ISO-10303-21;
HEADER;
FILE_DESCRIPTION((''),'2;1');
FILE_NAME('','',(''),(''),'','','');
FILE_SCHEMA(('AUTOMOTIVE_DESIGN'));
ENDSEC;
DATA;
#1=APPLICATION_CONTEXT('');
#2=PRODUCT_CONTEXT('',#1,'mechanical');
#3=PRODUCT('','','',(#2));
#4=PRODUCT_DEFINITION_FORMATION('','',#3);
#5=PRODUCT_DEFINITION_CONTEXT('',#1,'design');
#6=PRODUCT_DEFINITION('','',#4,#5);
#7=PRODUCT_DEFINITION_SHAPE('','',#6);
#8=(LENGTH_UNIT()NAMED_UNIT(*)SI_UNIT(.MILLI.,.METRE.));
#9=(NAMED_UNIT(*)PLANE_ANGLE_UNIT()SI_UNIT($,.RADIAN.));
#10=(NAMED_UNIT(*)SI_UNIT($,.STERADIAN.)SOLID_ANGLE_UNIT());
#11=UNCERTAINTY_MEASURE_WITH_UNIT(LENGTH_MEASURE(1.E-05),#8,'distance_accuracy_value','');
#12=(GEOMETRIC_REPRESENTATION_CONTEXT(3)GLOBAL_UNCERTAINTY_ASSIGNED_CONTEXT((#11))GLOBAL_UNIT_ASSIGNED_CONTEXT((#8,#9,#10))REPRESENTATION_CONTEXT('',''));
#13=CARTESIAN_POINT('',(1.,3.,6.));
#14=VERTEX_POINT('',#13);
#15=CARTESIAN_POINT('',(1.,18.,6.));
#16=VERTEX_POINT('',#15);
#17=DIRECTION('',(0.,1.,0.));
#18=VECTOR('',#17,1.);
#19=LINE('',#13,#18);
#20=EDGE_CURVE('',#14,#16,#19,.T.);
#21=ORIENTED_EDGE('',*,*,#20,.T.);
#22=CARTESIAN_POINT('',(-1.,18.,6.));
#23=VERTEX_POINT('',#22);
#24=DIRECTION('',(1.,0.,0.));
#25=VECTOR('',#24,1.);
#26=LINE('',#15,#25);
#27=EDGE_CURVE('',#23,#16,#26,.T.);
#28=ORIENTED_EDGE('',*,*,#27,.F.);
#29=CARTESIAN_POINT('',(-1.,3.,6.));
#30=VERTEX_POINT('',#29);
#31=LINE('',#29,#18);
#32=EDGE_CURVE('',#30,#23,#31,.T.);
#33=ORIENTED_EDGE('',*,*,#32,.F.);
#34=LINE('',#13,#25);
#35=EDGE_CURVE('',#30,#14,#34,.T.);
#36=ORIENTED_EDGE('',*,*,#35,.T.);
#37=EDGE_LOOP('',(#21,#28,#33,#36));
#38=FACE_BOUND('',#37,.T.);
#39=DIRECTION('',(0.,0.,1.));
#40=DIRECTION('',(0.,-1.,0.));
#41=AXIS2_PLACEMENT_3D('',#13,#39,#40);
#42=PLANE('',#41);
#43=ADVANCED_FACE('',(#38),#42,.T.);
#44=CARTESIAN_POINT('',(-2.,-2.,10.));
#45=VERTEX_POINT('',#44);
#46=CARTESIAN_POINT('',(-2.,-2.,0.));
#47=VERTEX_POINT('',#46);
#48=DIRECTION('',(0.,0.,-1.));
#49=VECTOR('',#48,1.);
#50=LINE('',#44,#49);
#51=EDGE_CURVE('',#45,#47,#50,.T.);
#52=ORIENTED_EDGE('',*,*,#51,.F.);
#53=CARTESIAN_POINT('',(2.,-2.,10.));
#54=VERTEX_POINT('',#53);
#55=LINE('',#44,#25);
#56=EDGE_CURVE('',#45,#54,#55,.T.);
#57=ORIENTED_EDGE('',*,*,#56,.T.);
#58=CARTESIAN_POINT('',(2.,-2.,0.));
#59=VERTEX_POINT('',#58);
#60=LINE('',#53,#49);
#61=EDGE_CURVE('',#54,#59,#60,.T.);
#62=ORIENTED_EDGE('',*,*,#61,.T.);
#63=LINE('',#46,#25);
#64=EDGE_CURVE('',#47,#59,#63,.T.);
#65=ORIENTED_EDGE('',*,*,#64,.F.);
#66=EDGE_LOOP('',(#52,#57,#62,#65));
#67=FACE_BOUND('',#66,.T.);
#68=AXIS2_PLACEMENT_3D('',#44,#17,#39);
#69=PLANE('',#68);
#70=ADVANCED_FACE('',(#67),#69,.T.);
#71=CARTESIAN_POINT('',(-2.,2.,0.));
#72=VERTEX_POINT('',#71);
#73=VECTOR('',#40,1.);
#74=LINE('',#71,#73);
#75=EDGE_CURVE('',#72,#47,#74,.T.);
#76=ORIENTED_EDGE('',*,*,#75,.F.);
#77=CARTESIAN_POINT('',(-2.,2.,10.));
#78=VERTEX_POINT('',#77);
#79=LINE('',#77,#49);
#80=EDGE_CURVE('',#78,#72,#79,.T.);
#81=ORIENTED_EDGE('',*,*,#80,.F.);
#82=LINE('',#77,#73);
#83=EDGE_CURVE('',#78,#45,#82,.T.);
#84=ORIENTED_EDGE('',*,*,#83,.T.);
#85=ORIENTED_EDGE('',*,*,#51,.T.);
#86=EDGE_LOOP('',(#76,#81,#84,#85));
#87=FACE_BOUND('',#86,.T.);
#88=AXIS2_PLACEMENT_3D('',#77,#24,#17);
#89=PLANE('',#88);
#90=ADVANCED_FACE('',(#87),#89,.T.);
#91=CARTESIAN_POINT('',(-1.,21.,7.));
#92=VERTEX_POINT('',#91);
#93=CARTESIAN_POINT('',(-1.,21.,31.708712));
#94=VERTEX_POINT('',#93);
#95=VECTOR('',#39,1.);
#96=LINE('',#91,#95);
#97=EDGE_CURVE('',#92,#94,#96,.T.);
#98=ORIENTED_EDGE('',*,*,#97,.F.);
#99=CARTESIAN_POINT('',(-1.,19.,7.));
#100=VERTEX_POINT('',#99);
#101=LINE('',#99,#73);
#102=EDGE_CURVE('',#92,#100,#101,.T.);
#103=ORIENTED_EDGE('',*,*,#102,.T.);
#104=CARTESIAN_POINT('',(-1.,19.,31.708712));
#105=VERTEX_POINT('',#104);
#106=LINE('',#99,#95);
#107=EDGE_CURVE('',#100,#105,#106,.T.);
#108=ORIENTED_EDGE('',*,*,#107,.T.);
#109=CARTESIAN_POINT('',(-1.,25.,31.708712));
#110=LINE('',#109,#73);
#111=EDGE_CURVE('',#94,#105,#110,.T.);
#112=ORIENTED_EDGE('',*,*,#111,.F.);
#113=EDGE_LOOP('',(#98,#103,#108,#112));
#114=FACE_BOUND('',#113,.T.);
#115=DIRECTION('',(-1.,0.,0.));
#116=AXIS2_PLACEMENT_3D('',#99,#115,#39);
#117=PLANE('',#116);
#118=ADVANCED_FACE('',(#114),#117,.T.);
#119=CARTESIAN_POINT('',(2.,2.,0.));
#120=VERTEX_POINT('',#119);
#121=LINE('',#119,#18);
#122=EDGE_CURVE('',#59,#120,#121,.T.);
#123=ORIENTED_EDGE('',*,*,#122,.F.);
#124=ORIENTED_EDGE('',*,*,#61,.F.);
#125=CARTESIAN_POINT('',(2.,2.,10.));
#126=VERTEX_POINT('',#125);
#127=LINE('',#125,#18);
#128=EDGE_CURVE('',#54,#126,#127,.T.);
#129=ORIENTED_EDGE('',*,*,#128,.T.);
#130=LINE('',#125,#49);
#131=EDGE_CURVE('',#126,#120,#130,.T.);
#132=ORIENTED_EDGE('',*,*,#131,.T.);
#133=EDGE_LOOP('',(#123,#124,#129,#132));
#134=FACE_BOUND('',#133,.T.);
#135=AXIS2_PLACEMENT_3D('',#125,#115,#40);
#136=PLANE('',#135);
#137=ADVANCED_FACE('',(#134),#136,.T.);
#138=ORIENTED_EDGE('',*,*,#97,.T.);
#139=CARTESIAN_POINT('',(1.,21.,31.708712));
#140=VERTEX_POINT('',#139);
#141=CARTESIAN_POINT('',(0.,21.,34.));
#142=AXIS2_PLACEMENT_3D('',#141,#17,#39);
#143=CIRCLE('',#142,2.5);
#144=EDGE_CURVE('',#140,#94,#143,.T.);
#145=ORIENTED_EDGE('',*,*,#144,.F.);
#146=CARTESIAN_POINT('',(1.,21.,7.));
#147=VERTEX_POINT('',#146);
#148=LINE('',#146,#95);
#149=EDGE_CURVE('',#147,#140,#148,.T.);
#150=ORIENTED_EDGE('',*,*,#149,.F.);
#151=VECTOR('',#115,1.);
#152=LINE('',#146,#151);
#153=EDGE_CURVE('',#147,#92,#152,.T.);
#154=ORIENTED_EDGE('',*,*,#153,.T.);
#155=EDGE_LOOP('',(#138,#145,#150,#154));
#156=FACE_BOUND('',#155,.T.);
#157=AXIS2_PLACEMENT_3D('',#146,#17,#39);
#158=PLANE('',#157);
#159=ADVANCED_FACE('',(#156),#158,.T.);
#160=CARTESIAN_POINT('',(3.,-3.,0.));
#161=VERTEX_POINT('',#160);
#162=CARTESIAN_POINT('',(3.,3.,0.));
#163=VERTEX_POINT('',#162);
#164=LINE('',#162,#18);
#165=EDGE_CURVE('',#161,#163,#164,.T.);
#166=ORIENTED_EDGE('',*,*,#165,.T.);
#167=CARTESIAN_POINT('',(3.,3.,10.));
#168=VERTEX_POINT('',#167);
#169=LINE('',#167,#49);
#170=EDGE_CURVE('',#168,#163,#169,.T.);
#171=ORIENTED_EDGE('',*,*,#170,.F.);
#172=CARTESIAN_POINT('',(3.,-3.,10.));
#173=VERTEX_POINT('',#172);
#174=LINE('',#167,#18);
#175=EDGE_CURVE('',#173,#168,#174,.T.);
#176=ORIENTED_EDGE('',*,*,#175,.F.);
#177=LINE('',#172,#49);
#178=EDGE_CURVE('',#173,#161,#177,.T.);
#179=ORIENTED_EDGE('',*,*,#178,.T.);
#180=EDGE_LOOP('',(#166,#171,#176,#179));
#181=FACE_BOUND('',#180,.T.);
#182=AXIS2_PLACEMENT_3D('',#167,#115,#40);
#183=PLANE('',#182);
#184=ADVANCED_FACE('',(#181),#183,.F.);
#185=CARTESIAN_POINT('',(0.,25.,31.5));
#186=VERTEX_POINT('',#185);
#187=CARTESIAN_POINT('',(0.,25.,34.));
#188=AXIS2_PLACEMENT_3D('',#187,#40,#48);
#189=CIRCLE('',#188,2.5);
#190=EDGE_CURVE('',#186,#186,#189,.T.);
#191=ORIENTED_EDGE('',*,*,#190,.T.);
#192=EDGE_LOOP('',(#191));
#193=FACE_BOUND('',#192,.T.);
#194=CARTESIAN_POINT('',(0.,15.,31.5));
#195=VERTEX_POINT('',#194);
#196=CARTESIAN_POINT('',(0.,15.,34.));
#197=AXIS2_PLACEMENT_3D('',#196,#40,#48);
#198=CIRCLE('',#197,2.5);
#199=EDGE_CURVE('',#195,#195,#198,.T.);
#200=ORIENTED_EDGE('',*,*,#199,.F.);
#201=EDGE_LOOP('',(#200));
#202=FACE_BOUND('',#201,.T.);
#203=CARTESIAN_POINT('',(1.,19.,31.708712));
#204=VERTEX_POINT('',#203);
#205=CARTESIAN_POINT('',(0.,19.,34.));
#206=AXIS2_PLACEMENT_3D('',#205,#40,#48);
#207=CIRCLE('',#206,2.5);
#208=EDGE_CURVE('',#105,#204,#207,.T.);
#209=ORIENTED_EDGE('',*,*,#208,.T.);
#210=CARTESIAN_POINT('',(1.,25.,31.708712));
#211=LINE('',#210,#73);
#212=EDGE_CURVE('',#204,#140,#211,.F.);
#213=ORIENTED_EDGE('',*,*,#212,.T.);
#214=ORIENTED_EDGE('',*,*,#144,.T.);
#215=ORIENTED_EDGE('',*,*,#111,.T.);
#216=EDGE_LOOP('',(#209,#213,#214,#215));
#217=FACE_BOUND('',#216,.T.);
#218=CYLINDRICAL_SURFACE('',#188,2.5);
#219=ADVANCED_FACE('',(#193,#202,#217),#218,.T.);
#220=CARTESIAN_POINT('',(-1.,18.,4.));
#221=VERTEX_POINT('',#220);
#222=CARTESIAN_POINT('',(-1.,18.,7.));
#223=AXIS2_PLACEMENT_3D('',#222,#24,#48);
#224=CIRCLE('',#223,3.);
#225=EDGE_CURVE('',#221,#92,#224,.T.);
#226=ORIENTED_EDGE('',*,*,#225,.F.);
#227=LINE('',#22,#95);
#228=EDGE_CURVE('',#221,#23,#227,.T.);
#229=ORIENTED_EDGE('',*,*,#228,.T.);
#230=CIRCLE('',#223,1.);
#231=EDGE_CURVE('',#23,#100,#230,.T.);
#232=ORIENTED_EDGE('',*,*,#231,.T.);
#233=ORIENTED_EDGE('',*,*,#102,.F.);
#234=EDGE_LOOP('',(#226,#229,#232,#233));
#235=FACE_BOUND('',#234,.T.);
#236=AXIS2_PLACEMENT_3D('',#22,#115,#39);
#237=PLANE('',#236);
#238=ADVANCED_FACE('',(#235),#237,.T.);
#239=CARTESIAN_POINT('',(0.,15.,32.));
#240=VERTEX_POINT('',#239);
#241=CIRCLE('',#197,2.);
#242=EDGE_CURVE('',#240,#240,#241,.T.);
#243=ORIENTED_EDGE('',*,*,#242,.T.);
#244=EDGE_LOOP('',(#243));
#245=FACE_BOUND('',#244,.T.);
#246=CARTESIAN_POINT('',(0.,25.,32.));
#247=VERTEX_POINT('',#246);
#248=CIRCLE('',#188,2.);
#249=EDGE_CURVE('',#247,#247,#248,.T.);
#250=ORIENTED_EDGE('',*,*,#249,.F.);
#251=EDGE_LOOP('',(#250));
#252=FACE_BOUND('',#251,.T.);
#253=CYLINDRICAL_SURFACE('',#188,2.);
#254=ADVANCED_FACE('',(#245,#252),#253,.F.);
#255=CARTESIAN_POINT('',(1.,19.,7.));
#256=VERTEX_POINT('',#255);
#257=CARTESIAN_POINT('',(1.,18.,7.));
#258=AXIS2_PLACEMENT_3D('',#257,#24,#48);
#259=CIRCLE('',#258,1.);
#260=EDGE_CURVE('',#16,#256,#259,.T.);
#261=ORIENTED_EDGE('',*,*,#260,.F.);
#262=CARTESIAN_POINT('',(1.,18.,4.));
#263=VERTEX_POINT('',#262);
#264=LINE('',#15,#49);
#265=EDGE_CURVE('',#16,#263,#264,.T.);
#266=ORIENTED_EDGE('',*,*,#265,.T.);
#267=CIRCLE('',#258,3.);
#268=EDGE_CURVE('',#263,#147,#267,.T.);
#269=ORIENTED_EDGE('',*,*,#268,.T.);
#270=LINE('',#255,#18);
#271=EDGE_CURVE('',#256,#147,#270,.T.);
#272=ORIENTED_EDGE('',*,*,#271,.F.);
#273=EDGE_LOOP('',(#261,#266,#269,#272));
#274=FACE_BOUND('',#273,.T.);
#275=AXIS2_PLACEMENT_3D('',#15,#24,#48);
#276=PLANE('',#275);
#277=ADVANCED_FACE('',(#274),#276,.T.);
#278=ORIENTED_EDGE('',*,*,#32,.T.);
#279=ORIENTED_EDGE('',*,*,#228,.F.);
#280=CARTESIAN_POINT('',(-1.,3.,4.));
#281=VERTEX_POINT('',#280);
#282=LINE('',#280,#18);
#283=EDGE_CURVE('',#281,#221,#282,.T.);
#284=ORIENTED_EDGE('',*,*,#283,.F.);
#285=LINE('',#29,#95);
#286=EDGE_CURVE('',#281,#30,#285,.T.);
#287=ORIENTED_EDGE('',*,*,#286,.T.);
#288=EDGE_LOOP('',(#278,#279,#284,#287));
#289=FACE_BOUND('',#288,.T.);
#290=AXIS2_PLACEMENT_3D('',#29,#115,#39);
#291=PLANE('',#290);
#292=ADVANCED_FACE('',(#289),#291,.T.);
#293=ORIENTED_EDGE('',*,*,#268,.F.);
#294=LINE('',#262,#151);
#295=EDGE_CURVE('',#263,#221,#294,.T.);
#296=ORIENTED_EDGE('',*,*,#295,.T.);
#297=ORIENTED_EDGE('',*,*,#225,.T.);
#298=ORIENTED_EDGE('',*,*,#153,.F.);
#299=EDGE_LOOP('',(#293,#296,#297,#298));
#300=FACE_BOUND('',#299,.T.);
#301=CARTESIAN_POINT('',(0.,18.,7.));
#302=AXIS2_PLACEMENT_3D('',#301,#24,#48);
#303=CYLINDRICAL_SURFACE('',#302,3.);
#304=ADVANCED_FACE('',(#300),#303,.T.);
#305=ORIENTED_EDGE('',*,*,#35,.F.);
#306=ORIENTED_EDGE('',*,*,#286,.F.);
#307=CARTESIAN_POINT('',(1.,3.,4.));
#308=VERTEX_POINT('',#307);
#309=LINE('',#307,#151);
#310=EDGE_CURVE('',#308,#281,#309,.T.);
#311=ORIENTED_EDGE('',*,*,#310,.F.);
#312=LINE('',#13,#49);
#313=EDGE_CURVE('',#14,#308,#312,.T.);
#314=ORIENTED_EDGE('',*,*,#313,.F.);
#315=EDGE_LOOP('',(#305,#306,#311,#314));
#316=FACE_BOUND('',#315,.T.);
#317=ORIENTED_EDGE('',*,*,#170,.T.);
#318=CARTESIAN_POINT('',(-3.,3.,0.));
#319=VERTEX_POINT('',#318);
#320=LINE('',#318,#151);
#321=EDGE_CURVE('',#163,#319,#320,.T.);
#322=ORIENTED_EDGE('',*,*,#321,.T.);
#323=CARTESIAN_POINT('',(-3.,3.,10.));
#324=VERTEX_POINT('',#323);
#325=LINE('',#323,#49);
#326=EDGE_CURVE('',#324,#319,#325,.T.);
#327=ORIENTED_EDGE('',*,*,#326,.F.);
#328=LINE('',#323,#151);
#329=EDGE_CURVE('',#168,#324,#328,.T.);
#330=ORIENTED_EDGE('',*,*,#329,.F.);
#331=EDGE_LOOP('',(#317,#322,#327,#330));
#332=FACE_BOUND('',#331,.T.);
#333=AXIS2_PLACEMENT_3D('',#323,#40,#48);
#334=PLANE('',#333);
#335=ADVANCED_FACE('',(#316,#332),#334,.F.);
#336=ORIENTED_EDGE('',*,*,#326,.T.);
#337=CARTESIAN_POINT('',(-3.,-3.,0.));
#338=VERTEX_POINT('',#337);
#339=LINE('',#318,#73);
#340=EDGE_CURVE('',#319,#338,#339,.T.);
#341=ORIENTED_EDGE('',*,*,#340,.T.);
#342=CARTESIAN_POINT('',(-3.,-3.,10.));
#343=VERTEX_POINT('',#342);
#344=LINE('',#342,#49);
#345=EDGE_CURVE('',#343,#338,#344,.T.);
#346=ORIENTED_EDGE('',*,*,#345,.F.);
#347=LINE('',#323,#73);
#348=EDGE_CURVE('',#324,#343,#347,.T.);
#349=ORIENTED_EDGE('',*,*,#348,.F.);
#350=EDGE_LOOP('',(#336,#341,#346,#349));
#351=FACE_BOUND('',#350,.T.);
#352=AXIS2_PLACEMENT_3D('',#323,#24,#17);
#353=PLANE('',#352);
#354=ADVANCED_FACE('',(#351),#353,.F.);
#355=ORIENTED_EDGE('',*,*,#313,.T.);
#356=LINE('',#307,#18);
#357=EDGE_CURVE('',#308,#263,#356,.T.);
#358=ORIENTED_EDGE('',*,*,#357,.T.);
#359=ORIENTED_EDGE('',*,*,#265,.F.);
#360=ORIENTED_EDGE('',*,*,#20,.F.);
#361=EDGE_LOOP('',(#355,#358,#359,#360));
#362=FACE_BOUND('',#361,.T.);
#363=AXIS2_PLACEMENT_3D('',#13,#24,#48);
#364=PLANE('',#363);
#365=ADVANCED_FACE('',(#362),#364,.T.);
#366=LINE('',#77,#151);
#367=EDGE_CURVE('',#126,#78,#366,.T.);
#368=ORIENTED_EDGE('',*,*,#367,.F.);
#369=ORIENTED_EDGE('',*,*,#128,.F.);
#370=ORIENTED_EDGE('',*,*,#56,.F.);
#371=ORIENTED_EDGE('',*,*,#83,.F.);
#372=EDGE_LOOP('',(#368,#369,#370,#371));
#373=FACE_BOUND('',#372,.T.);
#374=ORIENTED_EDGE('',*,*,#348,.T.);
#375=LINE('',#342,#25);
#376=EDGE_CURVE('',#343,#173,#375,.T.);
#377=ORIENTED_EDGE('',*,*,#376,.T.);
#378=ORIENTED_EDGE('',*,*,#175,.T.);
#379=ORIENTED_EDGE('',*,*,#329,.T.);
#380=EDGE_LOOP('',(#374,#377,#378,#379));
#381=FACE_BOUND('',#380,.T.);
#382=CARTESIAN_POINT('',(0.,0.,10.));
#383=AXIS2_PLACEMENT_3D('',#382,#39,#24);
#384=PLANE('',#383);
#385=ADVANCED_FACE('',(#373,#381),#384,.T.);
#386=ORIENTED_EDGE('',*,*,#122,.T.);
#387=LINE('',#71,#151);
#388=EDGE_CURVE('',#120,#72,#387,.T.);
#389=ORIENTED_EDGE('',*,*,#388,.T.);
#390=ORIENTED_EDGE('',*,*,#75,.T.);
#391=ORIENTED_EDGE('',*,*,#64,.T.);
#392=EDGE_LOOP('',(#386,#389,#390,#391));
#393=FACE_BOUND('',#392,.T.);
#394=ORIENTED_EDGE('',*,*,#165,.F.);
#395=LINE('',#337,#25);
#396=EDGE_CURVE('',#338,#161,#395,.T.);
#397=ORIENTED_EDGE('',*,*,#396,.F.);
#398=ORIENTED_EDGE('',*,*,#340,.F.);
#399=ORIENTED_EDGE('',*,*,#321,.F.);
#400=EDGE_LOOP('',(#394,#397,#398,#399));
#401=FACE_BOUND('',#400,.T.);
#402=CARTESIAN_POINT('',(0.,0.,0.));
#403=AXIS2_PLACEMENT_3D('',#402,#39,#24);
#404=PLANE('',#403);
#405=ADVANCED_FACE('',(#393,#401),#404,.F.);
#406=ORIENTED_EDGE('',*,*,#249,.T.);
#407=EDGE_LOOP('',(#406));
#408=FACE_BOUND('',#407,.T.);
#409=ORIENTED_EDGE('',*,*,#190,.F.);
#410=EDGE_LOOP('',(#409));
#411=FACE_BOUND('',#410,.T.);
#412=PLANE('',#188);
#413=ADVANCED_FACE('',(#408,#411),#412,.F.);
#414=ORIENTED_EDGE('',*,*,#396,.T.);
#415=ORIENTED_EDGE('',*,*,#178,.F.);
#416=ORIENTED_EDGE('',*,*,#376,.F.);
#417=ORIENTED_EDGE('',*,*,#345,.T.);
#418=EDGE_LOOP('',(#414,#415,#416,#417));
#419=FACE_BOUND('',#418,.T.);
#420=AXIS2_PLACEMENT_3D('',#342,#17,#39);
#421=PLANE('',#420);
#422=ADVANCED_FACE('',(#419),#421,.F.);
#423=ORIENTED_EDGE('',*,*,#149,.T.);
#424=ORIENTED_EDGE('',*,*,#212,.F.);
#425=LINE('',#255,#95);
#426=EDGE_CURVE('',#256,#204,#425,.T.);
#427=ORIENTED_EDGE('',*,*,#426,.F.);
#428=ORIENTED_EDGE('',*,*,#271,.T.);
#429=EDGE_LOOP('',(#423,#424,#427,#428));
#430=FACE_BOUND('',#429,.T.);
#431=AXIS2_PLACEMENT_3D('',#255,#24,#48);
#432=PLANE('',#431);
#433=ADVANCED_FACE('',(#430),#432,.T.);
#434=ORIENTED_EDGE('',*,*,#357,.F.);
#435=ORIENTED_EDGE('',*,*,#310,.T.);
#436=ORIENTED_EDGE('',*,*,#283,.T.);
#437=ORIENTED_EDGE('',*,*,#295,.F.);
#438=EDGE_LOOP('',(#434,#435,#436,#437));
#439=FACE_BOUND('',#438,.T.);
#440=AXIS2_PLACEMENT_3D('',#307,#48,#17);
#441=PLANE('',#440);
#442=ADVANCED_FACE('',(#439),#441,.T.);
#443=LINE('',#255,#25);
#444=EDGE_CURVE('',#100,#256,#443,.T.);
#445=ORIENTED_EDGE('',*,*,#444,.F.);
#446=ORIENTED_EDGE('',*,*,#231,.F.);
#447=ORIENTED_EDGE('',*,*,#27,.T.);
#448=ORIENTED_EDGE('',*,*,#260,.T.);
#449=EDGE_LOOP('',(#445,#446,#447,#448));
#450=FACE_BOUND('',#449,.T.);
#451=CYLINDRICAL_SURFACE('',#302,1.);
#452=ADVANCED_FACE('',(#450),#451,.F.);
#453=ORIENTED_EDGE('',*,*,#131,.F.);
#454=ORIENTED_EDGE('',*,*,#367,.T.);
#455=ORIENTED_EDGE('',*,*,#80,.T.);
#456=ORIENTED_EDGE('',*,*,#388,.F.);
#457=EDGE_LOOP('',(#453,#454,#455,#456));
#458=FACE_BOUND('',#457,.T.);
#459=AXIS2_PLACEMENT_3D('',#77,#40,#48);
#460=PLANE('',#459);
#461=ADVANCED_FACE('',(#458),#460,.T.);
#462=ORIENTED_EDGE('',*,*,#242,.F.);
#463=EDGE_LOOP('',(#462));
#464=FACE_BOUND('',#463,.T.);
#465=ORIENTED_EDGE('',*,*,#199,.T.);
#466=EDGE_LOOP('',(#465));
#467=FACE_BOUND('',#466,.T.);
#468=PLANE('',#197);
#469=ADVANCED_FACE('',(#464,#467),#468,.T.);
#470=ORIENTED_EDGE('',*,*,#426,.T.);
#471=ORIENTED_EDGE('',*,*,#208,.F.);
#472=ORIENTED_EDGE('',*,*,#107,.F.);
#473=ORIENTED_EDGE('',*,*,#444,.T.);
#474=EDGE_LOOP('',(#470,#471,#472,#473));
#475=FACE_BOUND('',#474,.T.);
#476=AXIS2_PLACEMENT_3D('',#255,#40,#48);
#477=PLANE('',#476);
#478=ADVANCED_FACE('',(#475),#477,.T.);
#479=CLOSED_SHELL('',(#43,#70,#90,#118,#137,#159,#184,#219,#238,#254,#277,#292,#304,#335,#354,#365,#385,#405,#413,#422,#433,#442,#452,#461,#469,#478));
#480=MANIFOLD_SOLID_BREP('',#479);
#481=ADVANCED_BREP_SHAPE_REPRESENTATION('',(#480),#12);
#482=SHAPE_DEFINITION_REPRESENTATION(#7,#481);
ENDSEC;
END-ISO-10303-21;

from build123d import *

# Parameters (mm, degrees)
ESQUISSE1_W             = 6
ESQUISSE1_H             = 6
ESQUISSE1_W_2           = 4
ESQUISSE1_H_2           = 4
BOSS_EXTRU_1_DEPTH      = 10
ESQUISSE2_W             = 2
ESQUISSE2_H             = 2
BOSS_EXTRU_2_DEPTH      = 4
BOSS_EXTRU_2_DEPTH_BACK = 6
ESQUISSE4_R             = 2.5
ESQUISSE4_R_2           = 2


with BuildPart() as part:
    # Esquisse1 → Boss.-Extru.1 (new body)
    with BuildSketch(Plane.XY):
        Rectangle(ESQUISSE1_W, ESQUISSE1_H)
        Rectangle(ESQUISSE1_W_2, ESQUISSE1_H_2, mode=Mode.SUBTRACT)
    extrude(amount=BOSS_EXTRU_1_DEPTH)

    # Balayage1: sweep along a path in Esquisse3
    with BuildLine(Plane(origin=(0, 0, 0), x_dir=(0, 0, -1), z_dir=(1, 0, 0))) as balayage1_path:
        Line((-5, 3), (-5, 18))
        ThreePointArc((-5, 18), (-5.585786438, 19.414213562), (-7, 20))
        Line((-7, 20), (-32, 20))
    # Esquisse2 → Balayage1 (sweep)
    with BuildSketch(Plane(origin=(0, 3, 0), x_dir=(1, 0, 0), z_dir=(0, 1, 0))):
        with Locations((0, -5)):
            Rectangle(ESQUISSE2_W, ESQUISSE2_H)
    sweep(path=balayage1_path.line)

    # Esquisse4 → Boss.-Extru.2 (add, two sides: drawn at the far end of the back side and taken through both)
    with BuildSketch(Plane.XZ.offset(-19).offset(-BOSS_EXTRU_2_DEPTH_BACK)):
        with Locations(Location((0, 34, 0), (0, 0, 270))):
            Circle(ESQUISSE4_R)
        with Locations(Location((0, 34, 0), (0, 0, 270))):
            Circle(ESQUISSE4_R_2, mode=Mode.SUBTRACT)
    extrude(amount=BOSS_EXTRU_2_DEPTH + BOSS_EXTRU_2_DEPTH_BACK)


solid = part.part
